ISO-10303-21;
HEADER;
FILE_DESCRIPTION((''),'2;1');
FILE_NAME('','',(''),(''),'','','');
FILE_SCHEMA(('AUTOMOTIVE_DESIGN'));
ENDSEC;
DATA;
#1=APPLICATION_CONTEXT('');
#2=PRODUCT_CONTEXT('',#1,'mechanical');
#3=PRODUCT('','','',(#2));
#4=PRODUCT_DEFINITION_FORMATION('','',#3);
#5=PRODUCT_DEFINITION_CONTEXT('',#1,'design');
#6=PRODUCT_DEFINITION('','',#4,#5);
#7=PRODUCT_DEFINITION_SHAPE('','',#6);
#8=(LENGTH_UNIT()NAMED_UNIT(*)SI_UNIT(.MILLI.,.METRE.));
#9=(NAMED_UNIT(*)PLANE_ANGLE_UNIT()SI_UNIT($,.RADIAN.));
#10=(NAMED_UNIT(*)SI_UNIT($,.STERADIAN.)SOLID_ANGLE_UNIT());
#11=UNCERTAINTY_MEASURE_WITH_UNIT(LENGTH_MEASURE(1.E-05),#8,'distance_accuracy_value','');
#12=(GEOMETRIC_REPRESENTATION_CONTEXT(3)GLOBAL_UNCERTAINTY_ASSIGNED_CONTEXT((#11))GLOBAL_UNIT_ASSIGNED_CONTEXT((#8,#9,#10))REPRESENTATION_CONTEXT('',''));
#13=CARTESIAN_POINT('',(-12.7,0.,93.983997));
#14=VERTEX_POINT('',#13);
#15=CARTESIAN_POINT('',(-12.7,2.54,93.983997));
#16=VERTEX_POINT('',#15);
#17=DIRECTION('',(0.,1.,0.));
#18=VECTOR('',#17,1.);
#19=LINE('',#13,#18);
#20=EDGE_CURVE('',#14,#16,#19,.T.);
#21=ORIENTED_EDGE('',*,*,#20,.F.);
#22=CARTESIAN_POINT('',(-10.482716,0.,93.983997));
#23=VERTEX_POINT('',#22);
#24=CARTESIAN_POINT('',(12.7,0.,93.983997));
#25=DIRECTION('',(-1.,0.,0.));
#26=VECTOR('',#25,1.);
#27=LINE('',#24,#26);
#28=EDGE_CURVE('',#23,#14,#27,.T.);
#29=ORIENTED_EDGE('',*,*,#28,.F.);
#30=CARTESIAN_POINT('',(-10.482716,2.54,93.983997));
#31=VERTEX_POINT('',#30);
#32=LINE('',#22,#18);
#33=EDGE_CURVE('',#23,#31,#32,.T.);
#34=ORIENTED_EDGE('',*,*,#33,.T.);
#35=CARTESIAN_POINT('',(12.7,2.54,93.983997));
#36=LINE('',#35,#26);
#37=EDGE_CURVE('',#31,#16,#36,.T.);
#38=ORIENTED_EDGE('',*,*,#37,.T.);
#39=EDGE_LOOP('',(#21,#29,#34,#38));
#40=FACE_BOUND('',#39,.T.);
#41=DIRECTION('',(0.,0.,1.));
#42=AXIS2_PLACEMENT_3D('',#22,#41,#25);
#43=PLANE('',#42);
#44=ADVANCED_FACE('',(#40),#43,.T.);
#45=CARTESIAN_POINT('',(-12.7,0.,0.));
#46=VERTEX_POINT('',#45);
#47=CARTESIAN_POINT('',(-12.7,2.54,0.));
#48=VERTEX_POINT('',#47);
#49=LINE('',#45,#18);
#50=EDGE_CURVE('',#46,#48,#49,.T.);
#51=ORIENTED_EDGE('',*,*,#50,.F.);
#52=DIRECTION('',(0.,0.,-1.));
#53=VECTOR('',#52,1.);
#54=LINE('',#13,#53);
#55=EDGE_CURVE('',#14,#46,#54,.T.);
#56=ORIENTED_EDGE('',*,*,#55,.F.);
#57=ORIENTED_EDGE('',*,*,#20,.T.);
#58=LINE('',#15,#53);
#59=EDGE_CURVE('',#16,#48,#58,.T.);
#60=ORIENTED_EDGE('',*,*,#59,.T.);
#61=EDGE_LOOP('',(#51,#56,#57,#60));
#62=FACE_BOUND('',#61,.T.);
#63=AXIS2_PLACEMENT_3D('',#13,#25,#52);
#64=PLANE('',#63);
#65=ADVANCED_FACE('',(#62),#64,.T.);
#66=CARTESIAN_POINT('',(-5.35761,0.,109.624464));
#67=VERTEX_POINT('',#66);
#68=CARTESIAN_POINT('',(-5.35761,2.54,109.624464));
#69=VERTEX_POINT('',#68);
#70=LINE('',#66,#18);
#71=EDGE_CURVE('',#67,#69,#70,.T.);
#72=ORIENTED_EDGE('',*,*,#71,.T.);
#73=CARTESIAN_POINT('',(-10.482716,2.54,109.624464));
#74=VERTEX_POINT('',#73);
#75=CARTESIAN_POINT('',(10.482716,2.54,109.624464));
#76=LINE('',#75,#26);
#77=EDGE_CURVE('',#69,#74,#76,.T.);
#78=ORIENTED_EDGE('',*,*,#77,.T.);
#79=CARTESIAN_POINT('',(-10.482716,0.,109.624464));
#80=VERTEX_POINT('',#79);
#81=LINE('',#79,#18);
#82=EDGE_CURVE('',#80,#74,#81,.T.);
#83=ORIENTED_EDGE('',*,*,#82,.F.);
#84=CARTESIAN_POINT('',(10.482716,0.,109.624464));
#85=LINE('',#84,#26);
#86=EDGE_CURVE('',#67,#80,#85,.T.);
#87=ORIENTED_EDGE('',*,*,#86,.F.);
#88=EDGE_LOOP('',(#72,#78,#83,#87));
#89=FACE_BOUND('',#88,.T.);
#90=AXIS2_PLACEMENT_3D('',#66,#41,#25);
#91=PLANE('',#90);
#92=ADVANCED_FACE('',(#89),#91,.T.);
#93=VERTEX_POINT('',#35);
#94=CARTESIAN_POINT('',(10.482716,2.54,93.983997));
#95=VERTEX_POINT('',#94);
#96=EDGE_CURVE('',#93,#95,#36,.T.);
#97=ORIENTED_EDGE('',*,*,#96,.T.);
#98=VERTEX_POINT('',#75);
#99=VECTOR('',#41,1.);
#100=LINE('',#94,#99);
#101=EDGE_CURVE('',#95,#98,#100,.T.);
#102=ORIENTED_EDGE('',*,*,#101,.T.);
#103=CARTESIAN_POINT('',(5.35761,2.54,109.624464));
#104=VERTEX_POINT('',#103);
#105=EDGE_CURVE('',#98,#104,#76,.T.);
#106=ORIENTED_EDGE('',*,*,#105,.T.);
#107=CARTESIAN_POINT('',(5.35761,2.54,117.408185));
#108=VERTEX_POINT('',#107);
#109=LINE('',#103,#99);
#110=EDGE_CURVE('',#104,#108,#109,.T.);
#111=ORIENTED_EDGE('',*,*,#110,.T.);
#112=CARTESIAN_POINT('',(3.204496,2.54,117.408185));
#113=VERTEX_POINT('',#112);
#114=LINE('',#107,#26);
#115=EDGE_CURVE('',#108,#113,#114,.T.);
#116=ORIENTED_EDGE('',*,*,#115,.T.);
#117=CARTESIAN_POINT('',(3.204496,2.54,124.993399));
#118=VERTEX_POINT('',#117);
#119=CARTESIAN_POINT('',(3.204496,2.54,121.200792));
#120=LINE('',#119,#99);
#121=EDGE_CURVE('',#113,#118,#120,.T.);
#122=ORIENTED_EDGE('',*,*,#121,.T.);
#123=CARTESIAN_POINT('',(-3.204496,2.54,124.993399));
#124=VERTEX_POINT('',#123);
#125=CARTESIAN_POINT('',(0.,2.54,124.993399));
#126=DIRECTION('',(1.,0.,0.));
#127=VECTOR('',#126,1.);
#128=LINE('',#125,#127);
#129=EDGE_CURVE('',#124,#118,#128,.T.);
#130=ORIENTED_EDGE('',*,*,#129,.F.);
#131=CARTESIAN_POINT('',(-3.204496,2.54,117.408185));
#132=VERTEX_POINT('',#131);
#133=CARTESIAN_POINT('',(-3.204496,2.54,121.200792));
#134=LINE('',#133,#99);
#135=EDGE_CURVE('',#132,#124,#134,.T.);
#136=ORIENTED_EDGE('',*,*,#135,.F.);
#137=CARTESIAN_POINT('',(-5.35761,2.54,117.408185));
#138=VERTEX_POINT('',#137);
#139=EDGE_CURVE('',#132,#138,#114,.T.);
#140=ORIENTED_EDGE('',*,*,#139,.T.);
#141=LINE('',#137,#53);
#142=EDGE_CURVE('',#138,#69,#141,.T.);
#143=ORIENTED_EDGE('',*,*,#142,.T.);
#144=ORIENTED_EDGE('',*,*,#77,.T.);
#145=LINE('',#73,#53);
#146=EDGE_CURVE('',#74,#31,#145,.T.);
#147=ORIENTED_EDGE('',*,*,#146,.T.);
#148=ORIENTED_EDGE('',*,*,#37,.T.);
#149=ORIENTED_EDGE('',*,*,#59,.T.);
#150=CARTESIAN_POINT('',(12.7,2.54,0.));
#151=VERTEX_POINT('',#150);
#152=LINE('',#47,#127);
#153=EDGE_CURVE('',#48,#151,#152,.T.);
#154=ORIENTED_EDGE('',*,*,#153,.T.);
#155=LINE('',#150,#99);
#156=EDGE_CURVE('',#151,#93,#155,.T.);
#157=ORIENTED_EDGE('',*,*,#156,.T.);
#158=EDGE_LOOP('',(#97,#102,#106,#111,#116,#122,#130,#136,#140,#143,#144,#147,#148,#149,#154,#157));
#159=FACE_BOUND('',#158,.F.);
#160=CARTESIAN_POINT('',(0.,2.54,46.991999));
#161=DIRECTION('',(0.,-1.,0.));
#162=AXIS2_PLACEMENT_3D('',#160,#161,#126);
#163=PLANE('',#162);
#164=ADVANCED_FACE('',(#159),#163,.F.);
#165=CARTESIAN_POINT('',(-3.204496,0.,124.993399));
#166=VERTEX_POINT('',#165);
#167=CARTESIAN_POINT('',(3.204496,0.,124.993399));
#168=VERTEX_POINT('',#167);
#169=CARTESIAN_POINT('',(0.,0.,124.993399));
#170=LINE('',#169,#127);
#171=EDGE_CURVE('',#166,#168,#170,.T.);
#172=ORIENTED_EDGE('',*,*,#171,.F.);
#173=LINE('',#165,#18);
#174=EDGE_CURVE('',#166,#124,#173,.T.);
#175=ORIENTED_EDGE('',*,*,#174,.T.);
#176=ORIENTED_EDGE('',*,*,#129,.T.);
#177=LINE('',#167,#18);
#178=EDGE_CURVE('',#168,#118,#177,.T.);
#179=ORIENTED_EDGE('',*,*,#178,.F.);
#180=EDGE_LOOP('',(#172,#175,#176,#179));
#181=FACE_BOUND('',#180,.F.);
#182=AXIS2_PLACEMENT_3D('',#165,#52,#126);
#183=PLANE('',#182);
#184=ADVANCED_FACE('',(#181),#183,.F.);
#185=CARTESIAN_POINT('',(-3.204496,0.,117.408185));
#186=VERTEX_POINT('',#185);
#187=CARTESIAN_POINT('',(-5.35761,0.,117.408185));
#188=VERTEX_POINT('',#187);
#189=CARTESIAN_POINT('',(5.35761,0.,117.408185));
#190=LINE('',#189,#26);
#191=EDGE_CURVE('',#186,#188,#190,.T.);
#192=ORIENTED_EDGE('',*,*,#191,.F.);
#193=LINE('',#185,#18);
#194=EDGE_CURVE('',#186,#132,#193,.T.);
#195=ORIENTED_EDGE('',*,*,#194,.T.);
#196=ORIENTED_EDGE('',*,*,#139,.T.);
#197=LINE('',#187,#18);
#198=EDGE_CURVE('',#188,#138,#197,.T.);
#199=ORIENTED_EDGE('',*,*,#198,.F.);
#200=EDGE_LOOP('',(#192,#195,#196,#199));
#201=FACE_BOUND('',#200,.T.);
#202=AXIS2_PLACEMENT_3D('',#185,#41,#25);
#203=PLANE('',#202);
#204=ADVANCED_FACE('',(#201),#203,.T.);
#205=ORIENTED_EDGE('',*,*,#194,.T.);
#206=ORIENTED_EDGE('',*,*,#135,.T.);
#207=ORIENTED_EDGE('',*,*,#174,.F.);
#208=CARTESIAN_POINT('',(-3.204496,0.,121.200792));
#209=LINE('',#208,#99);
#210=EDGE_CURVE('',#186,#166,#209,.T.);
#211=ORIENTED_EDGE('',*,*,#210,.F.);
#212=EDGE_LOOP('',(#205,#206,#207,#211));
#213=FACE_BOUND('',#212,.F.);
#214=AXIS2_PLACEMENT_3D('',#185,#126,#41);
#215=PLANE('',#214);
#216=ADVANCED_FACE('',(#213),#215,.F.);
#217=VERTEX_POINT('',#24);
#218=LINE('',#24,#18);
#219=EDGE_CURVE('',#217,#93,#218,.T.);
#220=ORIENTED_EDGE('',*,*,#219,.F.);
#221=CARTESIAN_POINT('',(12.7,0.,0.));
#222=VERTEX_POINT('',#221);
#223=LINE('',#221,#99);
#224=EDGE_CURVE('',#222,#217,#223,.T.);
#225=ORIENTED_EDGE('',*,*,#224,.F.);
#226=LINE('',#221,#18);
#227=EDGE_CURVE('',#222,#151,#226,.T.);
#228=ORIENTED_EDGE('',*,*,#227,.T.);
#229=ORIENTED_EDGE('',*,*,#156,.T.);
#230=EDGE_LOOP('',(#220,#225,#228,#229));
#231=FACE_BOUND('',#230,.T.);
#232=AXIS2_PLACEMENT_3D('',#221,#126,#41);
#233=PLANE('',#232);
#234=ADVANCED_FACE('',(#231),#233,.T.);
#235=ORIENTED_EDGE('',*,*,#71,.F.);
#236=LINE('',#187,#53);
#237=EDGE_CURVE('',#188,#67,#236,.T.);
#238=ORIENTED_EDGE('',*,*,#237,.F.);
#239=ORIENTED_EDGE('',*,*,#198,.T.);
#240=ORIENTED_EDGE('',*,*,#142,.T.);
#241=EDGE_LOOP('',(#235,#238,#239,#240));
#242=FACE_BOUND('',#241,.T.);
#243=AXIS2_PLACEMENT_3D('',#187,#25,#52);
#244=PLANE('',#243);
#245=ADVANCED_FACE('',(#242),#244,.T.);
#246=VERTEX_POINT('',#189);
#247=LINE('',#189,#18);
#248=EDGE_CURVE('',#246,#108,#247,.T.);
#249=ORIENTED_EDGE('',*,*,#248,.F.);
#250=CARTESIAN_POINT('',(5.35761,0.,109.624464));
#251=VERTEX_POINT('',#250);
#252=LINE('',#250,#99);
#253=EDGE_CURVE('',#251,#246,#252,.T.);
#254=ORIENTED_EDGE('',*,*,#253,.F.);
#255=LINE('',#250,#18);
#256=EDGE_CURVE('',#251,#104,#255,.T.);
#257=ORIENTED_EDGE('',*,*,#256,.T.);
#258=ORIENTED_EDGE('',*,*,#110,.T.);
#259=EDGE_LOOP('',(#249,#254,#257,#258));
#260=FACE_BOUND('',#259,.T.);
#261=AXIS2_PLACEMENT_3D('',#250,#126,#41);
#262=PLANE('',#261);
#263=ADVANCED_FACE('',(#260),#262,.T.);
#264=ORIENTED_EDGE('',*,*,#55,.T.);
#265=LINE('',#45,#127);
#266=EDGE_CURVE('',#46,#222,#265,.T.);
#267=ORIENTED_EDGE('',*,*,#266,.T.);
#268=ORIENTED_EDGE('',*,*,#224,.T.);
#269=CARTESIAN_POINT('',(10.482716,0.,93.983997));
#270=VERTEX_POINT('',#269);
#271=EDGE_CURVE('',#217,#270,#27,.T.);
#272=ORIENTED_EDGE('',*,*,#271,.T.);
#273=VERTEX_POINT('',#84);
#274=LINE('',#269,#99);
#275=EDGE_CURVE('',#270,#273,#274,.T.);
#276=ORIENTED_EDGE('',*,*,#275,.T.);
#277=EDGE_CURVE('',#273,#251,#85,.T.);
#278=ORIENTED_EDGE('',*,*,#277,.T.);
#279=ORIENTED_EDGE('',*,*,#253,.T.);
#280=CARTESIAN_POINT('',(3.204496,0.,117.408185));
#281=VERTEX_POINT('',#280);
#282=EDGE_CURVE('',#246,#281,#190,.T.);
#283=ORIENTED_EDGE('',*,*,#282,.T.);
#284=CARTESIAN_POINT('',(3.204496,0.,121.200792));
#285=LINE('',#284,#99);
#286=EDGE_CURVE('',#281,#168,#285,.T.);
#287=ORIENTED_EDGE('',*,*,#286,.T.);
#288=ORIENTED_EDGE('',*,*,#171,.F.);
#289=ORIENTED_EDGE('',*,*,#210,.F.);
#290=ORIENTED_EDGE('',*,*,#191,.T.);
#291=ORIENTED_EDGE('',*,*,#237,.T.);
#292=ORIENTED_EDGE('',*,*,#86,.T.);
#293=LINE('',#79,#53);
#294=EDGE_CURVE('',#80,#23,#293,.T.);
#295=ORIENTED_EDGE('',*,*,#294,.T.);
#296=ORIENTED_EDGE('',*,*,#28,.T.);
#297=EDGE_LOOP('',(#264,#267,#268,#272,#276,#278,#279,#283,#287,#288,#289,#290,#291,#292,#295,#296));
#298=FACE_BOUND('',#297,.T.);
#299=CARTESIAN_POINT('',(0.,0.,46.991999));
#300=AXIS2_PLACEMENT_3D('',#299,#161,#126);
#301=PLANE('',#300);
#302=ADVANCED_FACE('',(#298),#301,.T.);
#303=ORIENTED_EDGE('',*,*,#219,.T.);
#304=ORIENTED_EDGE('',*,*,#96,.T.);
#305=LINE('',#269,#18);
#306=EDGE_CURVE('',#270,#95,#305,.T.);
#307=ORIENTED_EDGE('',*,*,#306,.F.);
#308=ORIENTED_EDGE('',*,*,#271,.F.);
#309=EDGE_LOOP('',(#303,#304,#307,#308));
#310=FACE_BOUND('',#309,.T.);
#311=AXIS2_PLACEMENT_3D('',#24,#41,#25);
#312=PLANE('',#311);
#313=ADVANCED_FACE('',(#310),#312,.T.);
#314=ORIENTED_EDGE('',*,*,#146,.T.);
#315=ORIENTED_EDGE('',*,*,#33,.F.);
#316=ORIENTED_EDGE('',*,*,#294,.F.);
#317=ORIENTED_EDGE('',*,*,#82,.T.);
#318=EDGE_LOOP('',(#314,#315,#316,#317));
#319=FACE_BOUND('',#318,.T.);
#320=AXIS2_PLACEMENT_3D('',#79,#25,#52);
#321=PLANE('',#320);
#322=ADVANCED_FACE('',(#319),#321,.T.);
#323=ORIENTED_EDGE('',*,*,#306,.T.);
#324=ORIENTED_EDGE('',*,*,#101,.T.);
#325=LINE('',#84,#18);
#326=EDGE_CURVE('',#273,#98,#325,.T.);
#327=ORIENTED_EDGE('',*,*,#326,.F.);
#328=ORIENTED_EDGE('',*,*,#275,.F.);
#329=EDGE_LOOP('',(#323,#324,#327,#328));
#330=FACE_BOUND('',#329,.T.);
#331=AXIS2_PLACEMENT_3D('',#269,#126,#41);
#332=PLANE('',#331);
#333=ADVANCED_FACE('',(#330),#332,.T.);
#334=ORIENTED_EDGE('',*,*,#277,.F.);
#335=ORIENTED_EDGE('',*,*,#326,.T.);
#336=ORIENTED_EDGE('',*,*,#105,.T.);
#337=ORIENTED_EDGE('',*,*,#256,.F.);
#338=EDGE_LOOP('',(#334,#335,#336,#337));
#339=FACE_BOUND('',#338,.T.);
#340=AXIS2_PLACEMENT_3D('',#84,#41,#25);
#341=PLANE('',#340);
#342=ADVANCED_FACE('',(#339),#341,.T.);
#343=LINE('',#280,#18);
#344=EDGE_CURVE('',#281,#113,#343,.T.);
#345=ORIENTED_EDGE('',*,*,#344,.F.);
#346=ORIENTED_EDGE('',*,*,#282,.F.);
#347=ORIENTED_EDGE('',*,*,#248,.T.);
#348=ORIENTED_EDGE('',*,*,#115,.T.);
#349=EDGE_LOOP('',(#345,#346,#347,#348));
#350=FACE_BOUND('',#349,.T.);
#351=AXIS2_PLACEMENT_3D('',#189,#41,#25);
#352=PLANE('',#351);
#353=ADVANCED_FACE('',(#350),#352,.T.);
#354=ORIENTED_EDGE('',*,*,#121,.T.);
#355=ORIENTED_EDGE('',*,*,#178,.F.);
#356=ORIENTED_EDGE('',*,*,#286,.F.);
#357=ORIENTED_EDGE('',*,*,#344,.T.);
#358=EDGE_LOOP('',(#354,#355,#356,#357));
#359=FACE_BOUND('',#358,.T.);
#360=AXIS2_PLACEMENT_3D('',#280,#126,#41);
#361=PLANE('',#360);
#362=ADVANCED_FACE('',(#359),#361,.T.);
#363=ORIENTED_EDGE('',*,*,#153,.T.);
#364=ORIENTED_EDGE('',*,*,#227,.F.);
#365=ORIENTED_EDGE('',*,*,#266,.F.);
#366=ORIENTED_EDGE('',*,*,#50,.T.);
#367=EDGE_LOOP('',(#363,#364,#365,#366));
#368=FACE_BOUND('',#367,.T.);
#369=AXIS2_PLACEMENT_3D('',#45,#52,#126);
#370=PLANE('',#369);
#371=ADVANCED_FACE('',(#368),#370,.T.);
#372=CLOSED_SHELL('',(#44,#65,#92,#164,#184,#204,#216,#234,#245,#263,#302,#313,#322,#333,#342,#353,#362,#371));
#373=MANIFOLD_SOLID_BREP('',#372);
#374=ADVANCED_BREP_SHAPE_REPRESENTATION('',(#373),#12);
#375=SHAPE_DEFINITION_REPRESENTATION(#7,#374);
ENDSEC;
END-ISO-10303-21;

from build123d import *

# Parameters (mm, degrees)
F0_W     = 6.408992
F0_H     = 7.585215
F1_DEPTH = 2.54


with BuildPart() as f1:
    # F0 (on Front) → F1 (new body)
    with BuildSketch(Plane.XZ):
        Polygon((-12.7, 0), (0, 0), (12.7, 0), (12.7, 93.983997), (10.482716, 93.983997), (-10.482716, 93.983997), (-12.7, 93.983997), align=None)
        Polygon((-10.482716, 109.624464), (-10.482716, 93.983997), (10.482716, 93.983997), (10.482716, 109.624464), (5.35761, 109.624464), (-5.35761, 109.624464), align=None)
        Polygon((-5.35761, 117.408185), (-5.35761, 109.624464), (5.35761, 109.624464), (5.35761, 117.408185), (3.204496, 117.408185), (-3.204496, 117.408185), align=None)
        with Locations((0, 121.200792)):
            Rectangle(F0_W, F0_H)
    extrude(amount=-F1_DEPTH)


solid = f1.part
